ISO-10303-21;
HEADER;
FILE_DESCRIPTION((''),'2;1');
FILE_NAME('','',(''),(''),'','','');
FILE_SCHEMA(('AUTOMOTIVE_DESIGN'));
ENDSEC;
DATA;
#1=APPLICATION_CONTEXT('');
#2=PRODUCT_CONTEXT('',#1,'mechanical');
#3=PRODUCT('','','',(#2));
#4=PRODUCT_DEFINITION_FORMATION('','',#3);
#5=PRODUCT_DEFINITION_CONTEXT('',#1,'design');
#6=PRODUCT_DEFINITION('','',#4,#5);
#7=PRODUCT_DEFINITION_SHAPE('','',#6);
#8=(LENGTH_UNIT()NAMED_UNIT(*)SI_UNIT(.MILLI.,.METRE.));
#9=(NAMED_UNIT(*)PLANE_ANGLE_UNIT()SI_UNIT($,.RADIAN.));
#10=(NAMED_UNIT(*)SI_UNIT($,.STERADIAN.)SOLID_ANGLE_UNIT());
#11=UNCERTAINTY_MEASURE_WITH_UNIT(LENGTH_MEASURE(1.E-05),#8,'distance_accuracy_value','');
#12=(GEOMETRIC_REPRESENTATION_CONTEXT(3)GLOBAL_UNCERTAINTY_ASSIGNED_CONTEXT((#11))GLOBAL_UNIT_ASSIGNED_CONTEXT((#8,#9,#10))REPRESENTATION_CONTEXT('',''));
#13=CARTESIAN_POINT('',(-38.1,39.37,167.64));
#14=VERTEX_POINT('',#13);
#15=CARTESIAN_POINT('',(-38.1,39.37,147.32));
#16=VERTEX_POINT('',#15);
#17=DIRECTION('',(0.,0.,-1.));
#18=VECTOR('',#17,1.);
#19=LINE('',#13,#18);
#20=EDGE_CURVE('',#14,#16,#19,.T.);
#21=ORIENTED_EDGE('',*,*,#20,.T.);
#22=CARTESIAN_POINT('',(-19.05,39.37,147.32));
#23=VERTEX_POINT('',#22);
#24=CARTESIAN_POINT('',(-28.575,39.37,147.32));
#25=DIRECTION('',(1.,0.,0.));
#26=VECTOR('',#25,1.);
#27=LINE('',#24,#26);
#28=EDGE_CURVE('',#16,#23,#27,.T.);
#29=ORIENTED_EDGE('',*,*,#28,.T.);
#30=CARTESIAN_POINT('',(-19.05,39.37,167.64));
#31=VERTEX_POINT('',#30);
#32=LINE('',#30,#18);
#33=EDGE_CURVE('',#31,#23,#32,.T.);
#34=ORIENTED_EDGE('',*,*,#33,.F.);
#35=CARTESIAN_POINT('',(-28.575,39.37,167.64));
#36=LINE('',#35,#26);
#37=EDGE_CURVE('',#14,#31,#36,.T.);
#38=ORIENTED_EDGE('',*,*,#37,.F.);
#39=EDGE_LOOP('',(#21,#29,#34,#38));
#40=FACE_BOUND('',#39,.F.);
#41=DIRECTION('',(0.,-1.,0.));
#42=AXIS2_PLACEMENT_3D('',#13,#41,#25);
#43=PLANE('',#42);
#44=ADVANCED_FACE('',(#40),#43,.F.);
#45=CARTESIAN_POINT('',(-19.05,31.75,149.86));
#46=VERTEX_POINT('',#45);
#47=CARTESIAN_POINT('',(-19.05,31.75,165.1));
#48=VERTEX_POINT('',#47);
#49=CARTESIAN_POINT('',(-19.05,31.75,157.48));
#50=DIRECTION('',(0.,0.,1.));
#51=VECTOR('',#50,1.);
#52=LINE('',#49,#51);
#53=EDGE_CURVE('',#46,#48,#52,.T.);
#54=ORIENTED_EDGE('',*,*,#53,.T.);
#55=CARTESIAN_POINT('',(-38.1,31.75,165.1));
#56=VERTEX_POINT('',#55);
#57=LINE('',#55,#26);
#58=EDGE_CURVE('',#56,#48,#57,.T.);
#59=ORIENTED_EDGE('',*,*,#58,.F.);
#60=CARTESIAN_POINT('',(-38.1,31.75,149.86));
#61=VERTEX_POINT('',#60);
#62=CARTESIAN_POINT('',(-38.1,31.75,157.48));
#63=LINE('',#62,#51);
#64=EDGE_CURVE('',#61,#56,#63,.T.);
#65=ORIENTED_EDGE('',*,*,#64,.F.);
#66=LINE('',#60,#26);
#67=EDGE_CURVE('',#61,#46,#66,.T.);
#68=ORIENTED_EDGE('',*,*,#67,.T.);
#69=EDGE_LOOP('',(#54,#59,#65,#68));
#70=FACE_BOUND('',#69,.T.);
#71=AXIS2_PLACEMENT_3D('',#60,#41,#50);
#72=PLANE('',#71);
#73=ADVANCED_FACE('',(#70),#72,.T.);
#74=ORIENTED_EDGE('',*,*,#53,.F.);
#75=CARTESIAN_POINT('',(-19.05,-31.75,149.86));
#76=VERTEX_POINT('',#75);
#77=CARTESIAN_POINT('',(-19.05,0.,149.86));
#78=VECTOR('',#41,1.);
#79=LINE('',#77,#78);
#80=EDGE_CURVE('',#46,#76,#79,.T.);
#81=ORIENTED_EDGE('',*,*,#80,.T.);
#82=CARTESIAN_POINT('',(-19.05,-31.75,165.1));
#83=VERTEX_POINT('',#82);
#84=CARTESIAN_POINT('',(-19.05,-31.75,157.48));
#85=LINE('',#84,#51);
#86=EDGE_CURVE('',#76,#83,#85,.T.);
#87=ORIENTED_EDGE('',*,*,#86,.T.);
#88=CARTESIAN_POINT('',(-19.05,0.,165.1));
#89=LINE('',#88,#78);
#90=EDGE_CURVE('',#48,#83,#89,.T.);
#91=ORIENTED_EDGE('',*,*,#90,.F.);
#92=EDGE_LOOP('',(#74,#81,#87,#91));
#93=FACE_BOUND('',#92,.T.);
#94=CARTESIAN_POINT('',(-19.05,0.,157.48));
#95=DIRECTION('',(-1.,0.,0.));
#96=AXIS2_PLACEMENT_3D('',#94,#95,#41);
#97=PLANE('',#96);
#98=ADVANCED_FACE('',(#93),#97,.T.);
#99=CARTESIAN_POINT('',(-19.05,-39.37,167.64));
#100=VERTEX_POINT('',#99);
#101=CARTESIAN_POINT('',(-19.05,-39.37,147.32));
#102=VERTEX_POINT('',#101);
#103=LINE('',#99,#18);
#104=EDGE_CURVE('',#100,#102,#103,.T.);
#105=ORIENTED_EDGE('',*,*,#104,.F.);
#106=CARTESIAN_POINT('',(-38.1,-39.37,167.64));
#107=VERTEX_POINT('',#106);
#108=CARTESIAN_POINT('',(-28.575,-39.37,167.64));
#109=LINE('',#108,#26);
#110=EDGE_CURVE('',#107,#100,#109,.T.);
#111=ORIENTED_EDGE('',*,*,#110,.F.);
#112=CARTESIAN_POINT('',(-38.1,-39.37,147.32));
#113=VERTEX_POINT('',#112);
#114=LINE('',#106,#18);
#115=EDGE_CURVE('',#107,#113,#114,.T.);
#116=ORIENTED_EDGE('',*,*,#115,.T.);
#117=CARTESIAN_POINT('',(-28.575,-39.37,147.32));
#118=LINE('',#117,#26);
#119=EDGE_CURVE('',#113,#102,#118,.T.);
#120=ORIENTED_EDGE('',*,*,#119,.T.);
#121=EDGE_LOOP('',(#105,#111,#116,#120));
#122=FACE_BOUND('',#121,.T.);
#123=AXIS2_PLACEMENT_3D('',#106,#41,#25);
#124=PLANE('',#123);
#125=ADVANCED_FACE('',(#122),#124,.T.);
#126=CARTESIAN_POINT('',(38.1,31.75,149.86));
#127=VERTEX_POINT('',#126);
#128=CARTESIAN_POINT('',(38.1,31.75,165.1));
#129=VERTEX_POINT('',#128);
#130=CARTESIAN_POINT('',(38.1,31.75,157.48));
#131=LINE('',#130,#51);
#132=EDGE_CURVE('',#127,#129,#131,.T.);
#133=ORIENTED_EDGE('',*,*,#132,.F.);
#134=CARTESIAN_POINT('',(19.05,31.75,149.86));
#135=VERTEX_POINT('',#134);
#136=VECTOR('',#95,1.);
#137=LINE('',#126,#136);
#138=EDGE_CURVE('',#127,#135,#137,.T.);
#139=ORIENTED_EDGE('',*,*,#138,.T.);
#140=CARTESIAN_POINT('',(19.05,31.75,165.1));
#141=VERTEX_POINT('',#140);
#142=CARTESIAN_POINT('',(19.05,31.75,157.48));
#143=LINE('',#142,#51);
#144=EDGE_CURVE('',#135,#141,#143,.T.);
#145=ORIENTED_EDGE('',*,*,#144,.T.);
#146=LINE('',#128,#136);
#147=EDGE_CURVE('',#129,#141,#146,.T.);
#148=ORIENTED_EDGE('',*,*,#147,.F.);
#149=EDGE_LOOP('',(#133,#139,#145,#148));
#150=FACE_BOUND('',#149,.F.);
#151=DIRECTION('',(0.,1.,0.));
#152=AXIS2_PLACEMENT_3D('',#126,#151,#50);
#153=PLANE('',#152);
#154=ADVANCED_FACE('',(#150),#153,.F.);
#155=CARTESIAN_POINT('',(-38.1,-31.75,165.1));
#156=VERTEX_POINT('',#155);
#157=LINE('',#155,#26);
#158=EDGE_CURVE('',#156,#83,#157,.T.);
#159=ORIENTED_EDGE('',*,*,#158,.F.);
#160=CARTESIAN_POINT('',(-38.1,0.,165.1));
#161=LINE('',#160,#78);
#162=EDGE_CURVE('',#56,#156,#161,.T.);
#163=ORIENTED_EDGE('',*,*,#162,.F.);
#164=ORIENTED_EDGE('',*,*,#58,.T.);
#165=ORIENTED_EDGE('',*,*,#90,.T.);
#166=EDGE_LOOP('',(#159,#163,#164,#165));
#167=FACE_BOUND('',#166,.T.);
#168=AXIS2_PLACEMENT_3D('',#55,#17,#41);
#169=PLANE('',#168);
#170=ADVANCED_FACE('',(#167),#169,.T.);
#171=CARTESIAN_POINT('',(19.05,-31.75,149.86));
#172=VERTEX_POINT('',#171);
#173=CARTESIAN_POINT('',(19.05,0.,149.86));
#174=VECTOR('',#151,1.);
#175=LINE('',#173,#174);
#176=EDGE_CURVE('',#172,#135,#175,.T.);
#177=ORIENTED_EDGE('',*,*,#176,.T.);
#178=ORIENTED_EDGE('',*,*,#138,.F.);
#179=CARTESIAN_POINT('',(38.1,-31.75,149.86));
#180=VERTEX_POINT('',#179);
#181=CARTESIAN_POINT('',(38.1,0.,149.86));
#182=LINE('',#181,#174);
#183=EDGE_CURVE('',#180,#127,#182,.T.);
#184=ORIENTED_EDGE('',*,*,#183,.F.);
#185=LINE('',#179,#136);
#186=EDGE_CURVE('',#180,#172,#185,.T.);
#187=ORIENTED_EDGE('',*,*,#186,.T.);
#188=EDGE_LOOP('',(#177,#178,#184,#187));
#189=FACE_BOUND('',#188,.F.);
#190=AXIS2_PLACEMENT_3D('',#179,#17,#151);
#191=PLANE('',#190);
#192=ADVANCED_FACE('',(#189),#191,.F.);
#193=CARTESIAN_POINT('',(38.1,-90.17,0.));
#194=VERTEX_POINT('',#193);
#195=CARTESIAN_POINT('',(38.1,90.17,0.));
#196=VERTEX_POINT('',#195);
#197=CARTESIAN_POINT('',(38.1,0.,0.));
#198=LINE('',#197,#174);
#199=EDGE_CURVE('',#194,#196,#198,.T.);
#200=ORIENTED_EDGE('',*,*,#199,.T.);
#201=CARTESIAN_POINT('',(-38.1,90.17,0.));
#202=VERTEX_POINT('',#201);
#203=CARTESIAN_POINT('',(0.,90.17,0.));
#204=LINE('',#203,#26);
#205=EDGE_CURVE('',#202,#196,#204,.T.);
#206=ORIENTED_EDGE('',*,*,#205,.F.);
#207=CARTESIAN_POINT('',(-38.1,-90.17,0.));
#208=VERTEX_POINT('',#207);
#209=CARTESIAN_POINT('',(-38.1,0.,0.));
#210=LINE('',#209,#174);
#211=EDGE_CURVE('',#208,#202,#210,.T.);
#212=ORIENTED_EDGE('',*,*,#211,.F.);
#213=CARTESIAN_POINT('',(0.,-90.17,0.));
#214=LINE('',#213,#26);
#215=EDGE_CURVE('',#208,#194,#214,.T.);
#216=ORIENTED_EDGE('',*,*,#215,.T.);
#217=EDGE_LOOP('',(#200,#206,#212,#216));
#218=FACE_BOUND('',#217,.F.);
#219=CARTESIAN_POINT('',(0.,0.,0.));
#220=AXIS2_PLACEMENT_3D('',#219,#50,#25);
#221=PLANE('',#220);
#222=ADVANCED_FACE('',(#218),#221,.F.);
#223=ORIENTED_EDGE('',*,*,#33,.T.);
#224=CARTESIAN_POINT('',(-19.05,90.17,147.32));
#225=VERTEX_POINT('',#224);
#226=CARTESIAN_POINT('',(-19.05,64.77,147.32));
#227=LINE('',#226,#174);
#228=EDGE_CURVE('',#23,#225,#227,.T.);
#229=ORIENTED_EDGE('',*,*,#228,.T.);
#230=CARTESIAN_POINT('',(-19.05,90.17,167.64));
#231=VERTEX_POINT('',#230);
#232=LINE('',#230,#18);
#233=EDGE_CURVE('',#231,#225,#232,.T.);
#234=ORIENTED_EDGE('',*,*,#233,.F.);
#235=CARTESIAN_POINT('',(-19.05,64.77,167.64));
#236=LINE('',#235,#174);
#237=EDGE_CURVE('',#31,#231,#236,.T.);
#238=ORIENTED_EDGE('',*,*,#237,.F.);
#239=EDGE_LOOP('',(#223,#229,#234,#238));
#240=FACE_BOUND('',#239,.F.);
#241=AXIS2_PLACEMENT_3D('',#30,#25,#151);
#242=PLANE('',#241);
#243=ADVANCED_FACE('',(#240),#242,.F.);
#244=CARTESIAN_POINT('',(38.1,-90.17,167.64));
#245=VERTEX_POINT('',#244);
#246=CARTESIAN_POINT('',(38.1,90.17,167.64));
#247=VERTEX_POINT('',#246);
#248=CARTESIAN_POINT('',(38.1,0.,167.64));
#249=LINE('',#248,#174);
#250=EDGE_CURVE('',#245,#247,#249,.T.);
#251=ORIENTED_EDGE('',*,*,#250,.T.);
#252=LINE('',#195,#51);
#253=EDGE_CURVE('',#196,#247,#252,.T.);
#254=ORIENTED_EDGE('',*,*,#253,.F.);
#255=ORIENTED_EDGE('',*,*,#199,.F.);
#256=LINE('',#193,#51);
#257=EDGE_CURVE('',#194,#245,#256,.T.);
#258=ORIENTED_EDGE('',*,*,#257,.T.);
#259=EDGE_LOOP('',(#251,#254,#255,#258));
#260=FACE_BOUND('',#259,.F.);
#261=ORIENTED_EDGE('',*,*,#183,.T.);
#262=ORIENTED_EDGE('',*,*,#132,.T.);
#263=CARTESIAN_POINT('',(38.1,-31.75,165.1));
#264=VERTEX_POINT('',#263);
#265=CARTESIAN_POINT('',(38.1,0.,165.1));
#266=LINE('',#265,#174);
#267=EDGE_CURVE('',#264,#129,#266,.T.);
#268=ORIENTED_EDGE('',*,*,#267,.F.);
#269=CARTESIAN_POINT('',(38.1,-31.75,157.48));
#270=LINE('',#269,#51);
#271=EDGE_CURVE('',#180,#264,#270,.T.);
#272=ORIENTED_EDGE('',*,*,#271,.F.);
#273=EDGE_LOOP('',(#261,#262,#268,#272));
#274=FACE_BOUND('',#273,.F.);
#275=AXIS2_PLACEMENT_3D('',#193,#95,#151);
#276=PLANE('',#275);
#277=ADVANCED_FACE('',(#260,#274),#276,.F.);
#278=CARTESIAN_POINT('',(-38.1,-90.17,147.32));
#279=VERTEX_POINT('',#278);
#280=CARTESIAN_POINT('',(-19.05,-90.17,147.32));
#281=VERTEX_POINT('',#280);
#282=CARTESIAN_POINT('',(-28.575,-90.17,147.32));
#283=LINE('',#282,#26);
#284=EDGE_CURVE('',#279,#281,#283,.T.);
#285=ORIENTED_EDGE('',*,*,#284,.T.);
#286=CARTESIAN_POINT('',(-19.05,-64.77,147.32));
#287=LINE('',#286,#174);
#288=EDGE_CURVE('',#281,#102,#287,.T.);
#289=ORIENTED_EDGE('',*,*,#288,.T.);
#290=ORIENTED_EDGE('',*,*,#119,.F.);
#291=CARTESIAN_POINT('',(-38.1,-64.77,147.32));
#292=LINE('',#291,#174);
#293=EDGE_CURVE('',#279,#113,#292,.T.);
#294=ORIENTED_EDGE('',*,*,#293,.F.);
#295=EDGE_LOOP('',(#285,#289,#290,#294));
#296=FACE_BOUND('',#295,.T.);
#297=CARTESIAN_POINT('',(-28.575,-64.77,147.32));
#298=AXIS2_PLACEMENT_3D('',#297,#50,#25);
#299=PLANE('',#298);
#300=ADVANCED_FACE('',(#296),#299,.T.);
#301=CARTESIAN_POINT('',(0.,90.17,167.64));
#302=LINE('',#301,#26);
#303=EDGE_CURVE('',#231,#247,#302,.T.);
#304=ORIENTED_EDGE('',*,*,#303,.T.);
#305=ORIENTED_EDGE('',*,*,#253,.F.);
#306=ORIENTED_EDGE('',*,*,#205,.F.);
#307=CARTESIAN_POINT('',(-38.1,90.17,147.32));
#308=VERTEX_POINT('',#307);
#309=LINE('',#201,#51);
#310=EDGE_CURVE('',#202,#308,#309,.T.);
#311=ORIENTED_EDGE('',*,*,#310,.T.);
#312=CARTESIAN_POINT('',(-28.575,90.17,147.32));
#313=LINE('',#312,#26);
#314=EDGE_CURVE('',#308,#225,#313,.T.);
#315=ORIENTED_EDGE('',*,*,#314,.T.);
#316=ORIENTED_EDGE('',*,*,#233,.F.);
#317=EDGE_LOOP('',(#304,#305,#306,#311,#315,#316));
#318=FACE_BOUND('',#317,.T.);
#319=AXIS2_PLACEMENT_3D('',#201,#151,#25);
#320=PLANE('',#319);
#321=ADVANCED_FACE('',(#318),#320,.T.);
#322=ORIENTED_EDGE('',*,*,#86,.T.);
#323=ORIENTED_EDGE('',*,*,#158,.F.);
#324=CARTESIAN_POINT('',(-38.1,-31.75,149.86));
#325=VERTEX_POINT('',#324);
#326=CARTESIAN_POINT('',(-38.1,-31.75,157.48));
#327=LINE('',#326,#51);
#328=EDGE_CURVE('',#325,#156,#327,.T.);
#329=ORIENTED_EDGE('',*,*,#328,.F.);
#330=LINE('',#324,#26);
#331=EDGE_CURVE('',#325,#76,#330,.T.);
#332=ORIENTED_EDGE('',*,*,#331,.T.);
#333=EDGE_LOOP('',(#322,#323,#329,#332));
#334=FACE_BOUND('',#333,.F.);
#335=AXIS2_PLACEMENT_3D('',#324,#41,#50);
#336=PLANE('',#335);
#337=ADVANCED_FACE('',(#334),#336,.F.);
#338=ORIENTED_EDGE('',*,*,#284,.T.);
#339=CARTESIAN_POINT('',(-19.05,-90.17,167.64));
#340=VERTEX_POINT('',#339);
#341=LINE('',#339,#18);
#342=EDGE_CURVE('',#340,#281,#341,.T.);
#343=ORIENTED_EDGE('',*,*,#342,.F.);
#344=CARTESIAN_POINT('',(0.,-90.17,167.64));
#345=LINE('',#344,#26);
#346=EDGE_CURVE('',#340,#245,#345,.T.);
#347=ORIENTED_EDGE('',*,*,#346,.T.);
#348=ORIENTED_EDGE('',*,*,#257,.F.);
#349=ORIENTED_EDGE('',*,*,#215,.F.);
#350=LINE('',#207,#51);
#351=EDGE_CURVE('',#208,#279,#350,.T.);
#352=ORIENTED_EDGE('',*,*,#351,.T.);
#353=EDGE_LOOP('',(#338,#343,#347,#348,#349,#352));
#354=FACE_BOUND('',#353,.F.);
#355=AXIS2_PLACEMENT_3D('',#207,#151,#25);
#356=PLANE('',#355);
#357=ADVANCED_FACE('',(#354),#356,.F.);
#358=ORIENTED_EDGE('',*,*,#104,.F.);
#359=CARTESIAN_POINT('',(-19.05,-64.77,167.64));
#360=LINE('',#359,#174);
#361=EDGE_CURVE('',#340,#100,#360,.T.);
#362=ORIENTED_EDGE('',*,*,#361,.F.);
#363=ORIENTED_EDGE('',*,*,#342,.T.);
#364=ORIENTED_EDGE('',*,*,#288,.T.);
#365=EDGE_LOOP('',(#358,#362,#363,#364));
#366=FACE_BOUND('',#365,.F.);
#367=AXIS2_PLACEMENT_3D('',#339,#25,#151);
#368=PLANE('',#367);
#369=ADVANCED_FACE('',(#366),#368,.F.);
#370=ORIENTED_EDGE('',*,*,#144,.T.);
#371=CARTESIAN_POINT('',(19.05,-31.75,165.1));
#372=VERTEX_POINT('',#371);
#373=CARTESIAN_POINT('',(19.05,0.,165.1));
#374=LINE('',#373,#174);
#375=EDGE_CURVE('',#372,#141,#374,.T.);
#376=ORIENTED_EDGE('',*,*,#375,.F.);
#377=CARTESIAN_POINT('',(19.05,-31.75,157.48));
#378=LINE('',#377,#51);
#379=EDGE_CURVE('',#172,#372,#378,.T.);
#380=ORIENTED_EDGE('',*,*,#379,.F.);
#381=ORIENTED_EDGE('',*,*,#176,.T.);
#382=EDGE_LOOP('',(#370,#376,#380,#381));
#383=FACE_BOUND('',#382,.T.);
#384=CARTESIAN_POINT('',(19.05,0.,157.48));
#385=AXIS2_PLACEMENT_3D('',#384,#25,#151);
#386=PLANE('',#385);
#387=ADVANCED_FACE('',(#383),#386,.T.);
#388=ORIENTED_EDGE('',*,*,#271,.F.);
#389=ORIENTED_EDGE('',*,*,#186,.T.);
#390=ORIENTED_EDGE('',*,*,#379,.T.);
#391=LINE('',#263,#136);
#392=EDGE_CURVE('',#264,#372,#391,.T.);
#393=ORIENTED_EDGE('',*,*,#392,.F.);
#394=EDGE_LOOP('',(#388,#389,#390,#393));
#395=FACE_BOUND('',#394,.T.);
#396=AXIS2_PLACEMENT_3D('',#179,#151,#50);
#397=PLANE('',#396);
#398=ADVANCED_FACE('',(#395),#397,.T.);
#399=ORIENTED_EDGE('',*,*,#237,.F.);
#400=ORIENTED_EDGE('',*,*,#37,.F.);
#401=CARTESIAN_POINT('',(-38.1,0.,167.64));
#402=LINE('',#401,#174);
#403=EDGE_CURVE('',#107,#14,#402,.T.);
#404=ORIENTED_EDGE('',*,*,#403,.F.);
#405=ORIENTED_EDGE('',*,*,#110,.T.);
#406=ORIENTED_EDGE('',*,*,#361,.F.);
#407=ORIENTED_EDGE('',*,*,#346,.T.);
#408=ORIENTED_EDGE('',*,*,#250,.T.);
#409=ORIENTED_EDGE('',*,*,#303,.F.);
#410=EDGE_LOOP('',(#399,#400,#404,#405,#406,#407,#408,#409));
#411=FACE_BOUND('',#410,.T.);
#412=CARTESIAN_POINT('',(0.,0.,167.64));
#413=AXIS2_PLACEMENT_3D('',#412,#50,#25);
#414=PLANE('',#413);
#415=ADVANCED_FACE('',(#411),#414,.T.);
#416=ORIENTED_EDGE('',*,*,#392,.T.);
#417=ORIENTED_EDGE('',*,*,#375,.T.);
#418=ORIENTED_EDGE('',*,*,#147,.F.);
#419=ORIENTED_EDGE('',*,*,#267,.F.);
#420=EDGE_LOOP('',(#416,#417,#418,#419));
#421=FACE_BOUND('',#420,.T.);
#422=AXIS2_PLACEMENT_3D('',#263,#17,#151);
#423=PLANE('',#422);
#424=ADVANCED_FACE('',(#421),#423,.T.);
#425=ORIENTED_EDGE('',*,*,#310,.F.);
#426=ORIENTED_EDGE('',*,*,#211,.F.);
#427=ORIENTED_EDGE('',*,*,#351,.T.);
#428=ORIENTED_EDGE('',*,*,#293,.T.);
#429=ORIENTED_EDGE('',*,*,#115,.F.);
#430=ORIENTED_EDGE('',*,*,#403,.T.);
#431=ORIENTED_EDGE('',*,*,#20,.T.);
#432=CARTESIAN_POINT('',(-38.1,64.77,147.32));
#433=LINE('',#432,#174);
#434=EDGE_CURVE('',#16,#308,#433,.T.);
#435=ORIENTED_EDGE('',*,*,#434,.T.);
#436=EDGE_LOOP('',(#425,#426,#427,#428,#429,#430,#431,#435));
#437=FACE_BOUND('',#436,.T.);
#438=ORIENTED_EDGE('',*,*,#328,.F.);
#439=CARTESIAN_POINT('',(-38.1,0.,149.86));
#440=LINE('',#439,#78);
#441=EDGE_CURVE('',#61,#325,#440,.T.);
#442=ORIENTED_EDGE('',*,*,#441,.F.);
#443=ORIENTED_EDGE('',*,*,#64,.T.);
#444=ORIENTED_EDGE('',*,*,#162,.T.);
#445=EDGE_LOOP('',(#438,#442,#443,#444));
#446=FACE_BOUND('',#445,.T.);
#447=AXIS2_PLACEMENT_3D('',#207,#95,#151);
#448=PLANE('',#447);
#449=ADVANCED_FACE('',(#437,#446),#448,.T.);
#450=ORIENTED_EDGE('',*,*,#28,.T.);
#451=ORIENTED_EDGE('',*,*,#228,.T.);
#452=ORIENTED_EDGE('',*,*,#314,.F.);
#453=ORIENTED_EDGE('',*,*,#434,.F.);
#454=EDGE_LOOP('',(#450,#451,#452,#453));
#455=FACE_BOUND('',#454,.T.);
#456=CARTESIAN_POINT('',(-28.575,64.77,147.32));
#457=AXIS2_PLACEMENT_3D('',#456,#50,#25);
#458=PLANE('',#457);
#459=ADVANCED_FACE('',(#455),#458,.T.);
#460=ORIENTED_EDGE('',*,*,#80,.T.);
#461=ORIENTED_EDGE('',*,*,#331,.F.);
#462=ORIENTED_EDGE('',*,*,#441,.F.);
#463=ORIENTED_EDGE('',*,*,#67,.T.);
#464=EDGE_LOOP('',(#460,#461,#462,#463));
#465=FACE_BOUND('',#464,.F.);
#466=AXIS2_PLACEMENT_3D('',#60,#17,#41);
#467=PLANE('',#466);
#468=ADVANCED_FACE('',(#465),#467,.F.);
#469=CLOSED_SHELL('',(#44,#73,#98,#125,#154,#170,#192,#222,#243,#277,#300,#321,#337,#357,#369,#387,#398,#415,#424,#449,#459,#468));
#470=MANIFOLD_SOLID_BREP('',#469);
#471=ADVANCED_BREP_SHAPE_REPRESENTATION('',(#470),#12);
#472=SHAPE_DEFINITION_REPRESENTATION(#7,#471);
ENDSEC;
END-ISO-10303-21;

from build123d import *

# Parameters (mm, degrees)
F0_W     = 76.2
F0_H     = 180.34
F1_DEPTH = 167.64
F2_W     = 19.05
F2_H     = 50.8
F3_DEPTH = 20.32
F4_W     = 63.5
F4_H     = 15.24
F5_DEPTH = 19.05
F6_W     = 63.5
F6_H     = 15.24
F7_DEPTH = 19.05


with BuildPart() as f1:
    # F0 (on Top) → F1 (new body)
    with BuildSketch(Plane.XY):
        Rectangle(F0_W, F0_H)
    extrude(amount=F1_DEPTH)

    # F2 (on face) → F3 (cut)
    with BuildSketch(Plane.XY.offset(167.64)):
        with Locations((-28.575, -64.77)):
            Rectangle(F2_W, F2_H)
        with Locations((-28.575, 64.77)):
            Rectangle(F2_W, F2_H)
    extrude(amount=-F3_DEPTH, mode=Mode.SUBTRACT)

    # F4 (on face) → F5 (cut)
    with BuildSketch(Plane(origin=(-38.1, 0, 0), x_dir=(0, -1, 0), z_dir=(-1, 0, 0))):
        with Locations((0, 157.48)):
            Rectangle(F4_W, F4_H)
    extrude(amount=-F5_DEPTH, mode=Mode.SUBTRACT)

    # F6 (on face) → F7 (cut)
    with BuildSketch(Plane.YZ.offset(38.1)):
        with Locations((0, 157.48)):
            Rectangle(F6_W, F6_H)
    extrude(amount=-F7_DEPTH, mode=Mode.SUBTRACT)


solid = f1.part
